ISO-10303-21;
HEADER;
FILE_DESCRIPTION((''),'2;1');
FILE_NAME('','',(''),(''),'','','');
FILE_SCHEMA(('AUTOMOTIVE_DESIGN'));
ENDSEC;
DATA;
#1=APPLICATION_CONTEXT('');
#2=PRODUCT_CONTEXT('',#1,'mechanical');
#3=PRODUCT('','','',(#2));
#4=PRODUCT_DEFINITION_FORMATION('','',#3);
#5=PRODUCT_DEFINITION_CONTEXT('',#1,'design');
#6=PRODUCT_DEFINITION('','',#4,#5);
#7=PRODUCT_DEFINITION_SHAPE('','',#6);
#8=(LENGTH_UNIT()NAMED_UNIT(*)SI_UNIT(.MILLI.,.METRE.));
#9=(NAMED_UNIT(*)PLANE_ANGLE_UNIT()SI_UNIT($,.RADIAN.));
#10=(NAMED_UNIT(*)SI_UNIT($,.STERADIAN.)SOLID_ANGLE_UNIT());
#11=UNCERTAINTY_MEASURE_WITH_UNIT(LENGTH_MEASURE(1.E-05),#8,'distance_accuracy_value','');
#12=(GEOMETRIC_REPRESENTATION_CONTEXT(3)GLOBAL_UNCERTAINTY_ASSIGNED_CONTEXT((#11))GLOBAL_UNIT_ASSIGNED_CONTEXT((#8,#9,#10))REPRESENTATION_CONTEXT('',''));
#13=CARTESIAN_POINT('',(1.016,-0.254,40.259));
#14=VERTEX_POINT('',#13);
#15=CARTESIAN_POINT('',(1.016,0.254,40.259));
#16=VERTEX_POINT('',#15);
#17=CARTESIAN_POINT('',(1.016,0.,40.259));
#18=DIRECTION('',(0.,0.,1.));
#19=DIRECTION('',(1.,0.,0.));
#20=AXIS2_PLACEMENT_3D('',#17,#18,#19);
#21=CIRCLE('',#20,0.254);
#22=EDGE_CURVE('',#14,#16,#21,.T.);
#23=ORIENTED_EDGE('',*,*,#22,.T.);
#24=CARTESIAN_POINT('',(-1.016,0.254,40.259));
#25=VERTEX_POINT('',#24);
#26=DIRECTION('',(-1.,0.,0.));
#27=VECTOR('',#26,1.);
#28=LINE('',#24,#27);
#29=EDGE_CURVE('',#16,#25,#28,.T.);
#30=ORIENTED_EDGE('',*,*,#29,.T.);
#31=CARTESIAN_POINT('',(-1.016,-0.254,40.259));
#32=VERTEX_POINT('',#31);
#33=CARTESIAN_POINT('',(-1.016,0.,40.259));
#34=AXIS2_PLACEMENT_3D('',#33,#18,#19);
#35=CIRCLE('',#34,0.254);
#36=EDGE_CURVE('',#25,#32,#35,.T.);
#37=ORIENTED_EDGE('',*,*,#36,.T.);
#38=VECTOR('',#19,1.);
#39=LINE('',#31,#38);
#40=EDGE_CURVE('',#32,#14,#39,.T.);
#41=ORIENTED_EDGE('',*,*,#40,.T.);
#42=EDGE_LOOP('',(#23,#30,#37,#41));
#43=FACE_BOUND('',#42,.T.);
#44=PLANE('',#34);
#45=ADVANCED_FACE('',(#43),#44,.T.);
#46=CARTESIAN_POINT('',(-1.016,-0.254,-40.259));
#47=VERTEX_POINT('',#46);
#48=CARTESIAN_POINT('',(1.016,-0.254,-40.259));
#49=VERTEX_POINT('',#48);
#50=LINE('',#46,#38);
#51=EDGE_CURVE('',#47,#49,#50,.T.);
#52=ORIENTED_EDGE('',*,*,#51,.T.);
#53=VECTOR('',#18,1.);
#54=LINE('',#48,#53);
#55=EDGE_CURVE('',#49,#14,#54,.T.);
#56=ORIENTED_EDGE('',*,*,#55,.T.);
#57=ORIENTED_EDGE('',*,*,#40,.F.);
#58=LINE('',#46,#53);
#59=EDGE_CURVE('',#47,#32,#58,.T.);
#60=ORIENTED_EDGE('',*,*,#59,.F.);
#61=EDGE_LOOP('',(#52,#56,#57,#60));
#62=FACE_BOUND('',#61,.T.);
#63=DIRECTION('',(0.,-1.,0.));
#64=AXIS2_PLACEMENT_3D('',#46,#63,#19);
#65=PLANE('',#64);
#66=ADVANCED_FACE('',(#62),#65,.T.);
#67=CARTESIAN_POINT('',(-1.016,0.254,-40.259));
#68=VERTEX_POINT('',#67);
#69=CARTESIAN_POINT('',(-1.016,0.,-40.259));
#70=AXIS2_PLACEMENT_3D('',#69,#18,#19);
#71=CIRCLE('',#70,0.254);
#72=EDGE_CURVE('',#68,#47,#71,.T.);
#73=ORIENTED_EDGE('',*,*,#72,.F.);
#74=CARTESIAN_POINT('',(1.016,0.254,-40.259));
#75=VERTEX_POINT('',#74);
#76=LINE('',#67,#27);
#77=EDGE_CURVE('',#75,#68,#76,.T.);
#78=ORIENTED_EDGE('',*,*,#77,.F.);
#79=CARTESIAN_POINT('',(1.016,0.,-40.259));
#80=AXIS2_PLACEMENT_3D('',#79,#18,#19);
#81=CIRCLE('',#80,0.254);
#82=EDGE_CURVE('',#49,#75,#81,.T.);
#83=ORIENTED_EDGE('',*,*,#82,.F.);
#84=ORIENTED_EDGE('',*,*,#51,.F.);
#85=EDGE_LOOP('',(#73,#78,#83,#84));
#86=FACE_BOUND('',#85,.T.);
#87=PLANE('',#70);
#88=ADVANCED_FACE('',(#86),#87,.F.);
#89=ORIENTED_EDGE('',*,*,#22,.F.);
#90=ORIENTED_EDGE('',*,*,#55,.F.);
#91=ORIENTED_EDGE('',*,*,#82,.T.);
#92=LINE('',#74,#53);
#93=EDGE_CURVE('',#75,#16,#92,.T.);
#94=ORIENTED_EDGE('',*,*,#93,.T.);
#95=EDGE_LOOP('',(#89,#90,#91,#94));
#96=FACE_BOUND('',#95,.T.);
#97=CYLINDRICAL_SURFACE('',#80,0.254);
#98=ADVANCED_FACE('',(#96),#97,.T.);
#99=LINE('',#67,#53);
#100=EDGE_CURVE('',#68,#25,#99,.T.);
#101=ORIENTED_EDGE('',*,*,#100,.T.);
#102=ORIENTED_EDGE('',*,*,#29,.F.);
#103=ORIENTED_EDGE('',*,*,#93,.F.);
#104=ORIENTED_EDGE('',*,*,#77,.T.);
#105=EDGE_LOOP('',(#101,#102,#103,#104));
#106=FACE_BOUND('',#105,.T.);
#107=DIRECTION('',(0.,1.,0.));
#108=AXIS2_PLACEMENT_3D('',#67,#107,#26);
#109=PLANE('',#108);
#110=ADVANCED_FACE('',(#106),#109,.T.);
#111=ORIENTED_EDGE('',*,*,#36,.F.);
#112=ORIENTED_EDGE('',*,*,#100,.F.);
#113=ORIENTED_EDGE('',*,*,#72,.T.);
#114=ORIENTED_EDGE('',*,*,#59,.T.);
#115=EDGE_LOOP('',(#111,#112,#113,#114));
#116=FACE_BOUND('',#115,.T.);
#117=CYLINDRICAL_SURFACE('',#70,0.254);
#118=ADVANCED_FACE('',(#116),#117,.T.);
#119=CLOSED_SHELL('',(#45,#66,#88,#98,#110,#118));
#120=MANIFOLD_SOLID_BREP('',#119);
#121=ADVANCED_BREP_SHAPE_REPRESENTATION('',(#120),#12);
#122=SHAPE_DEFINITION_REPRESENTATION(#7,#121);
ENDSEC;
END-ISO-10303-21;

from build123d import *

# Parameters (mm, degrees)
BOSS_EXTRUDE1_DEPTH      = 40.259
BOSS_EXTRUDE1_DEPTH_BACK = 40.259


with BuildPart() as part:
    # Sketch2 → Boss-Extrude1 (new, two sides: drawn at the far end of the back side and taken through both)
    with BuildSketch(Plane.XY.offset(-BOSS_EXTRUDE1_DEPTH_BACK)):
        with BuildLine():
            Line((-1.016, -0.254), (1.016, -0.254))
            ThreePointArc((1.016, -0.254), (1.27, 0), (1.016, 0.254))
            Line((1.016, 0.254), (-1.016, 0.254))
            ThreePointArc((-1.016, 0.254), (-1.27, 0), (-1.016, -0.254))
        make_face()
    extrude(amount=BOSS_EXTRUDE1_DEPTH + BOSS_EXTRUDE1_DEPTH_BACK)


solid = part.part
